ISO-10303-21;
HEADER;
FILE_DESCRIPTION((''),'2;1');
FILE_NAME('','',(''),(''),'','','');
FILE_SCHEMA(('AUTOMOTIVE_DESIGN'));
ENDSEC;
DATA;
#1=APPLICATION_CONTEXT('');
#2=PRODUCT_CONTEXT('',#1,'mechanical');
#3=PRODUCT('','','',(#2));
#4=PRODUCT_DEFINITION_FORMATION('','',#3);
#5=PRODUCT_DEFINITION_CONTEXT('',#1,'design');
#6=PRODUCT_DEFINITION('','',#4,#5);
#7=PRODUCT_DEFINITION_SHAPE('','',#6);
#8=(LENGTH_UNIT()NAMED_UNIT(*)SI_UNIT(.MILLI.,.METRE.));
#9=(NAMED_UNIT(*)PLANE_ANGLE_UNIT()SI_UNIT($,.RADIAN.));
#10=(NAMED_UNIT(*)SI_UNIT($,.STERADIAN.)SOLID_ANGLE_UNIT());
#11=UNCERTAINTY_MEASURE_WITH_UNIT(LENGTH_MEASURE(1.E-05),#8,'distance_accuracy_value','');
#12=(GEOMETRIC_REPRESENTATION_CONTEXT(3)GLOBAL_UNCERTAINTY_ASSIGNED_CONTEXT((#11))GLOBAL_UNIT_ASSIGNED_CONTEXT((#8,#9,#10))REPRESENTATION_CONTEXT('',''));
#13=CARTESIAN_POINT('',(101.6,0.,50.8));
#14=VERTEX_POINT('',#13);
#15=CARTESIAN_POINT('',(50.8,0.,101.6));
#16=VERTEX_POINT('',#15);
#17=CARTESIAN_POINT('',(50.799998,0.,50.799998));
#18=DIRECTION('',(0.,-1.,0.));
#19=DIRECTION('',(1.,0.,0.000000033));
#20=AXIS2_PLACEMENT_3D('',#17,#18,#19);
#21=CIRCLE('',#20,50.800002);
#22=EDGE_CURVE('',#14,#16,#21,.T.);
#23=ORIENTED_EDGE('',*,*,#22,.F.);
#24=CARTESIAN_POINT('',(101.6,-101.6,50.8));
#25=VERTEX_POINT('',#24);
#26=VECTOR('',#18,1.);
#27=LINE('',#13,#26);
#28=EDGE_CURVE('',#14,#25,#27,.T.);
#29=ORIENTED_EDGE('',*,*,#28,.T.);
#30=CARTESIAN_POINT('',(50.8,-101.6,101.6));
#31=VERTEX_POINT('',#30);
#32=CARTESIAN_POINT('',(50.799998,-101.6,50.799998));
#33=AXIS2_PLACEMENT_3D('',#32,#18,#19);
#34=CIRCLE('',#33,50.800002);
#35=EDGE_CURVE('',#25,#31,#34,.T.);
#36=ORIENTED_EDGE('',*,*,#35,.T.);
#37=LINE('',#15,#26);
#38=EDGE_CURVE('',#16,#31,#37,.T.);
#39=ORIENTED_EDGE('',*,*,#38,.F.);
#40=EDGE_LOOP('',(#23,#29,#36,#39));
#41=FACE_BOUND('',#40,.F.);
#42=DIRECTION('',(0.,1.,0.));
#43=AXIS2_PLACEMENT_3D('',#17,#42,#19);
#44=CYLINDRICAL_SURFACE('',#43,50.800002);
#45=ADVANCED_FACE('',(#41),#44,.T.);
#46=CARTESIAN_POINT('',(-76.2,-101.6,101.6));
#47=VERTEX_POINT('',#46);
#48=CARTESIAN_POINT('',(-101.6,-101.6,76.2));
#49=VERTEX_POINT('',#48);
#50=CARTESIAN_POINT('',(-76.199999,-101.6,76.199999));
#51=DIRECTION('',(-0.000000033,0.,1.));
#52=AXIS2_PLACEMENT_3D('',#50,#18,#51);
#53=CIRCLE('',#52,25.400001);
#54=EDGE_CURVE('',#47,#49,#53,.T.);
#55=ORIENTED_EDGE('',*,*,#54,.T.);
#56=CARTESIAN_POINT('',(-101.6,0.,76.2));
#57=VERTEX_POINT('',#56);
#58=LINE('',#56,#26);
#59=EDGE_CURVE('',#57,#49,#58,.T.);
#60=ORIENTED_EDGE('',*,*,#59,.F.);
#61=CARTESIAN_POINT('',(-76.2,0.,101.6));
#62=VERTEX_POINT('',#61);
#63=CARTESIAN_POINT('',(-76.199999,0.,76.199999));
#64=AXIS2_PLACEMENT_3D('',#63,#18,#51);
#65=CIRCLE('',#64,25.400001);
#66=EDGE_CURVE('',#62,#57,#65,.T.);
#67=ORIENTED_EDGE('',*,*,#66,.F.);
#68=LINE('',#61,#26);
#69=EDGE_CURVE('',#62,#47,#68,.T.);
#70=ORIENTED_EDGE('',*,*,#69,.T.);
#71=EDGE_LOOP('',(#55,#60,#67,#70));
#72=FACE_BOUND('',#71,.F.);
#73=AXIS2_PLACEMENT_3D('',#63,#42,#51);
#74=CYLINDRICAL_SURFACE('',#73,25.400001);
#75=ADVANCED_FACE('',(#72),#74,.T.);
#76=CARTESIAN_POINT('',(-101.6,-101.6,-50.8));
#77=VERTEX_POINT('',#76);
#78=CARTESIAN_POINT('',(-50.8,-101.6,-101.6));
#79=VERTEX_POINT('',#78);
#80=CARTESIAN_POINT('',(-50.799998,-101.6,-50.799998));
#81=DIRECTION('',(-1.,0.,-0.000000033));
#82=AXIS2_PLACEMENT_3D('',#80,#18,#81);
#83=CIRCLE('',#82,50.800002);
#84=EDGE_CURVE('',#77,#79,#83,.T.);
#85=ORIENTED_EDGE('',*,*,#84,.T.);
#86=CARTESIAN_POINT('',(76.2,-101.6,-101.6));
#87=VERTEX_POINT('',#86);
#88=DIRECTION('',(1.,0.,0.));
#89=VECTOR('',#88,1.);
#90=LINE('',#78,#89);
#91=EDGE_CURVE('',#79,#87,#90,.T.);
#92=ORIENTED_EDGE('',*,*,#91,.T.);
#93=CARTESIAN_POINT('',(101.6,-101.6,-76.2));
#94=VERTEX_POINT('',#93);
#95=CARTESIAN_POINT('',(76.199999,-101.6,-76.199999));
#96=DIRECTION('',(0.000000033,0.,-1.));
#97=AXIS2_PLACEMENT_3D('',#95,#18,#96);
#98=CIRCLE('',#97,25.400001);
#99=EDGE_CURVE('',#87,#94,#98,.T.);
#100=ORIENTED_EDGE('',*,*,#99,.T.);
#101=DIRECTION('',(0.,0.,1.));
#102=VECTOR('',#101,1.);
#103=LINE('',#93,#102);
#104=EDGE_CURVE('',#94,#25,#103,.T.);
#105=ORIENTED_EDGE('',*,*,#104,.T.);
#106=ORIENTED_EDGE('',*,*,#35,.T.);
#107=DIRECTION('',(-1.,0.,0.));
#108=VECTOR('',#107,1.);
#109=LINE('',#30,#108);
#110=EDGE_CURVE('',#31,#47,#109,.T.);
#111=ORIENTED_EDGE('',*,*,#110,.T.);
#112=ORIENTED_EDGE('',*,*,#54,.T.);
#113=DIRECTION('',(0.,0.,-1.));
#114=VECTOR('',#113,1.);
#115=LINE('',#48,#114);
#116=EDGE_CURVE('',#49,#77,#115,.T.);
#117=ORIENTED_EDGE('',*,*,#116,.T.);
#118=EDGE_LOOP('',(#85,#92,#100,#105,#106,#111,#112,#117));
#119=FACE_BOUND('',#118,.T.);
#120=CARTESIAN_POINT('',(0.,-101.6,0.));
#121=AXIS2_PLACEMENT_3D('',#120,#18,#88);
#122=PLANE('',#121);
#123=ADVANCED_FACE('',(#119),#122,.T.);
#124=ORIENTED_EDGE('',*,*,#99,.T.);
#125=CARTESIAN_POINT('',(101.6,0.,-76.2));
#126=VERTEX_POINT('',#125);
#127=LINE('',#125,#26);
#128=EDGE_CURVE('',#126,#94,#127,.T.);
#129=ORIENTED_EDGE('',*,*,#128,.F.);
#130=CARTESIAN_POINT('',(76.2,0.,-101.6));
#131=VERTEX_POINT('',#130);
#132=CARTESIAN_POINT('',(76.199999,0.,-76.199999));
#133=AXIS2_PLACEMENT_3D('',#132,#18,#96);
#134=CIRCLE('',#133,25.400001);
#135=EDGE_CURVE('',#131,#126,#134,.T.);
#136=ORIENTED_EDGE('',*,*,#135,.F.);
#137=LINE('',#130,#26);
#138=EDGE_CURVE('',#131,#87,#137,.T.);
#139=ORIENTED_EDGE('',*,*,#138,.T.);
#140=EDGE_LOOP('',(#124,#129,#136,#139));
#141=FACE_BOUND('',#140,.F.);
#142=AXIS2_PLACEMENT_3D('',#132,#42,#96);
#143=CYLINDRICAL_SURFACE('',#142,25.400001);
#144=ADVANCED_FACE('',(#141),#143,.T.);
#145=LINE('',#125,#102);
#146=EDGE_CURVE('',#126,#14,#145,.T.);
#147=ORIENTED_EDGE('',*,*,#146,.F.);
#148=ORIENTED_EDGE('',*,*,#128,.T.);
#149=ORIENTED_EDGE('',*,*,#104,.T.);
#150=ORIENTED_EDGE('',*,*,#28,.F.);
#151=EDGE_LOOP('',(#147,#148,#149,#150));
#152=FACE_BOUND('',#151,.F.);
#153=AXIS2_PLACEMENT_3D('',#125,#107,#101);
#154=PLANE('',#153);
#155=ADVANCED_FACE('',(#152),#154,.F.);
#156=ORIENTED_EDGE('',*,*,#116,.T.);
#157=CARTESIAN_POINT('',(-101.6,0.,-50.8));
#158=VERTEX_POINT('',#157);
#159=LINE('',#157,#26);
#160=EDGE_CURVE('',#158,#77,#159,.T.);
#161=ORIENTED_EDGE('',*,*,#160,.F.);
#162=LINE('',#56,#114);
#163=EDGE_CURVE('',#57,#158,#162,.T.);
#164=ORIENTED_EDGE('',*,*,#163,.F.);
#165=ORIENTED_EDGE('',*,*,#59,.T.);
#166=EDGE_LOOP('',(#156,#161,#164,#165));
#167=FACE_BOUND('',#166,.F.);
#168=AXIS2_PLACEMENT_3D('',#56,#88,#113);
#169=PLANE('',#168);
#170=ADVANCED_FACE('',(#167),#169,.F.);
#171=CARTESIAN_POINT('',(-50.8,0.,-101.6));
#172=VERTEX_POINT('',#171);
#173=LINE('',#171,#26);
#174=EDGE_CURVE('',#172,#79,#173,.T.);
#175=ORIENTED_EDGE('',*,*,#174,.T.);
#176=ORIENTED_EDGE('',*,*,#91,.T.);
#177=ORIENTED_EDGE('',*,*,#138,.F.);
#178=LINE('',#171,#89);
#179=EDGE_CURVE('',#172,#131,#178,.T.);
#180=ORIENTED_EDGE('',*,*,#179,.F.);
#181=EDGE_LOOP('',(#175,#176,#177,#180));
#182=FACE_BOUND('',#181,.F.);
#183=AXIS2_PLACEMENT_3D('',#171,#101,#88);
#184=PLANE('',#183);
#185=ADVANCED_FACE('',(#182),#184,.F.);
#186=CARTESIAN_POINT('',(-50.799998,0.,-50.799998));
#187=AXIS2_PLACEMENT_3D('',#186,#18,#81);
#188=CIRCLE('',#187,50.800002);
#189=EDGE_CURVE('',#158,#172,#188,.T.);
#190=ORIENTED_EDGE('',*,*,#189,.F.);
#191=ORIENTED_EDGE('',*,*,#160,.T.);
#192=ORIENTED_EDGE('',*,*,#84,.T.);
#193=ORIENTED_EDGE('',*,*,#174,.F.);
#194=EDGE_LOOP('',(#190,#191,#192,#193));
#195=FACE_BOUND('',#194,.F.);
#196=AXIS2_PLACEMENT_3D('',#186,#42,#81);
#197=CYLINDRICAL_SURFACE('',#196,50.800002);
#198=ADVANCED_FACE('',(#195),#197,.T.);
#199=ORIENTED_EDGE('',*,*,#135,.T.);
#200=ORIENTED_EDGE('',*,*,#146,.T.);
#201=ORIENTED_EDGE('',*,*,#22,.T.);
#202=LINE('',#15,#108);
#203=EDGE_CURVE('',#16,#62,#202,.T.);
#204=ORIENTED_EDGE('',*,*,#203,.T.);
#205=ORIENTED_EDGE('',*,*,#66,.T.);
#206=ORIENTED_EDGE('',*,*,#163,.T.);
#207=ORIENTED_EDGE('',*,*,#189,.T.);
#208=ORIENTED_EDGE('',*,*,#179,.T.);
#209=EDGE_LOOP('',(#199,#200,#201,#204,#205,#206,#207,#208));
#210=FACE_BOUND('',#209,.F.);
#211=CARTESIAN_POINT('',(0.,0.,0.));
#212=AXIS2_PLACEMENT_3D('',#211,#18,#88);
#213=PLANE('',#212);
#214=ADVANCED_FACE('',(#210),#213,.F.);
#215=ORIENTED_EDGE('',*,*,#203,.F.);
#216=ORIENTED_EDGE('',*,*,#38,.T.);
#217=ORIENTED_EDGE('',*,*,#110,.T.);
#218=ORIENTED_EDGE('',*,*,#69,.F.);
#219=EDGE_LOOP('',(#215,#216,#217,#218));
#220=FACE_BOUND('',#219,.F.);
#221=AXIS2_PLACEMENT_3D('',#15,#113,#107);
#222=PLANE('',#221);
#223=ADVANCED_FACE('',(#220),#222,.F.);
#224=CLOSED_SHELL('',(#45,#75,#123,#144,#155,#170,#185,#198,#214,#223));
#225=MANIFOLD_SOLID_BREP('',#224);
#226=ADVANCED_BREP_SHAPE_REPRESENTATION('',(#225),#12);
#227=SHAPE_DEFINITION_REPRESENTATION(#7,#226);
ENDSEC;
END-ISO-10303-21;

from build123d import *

# Parameters (mm, degrees)
F1_DEPTH = 101.6


with BuildPart() as f1:
    # F0 (on Front) → F1 (new body)
    with BuildSketch(Plane.XZ):
        with BuildLine():
            Line((50.8, 101.6), (-76.2, 101.6))
            ThreePointArc((-76.2, 101.6), (-94.160512, 94.160512), (-101.6, 76.2))
            Line((-101.6, 76.2), (-101.6, -50.8))
            ThreePointArc((-101.6, -50.8), (-86.721024, -86.721024), (-50.8, -101.6))
            Line((-50.8, -101.6), (76.2, -101.6))
            ThreePointArc((76.2, -101.6), (94.160512, -94.160512), (101.6, -76.2))
            Line((101.6, -76.2), (101.6, 50.8))
            ThreePointArc((101.6, 50.8), (86.721024, 86.721024), (50.8, 101.6))
        make_face()
    extrude(amount=F1_DEPTH)


solid = f1.part
